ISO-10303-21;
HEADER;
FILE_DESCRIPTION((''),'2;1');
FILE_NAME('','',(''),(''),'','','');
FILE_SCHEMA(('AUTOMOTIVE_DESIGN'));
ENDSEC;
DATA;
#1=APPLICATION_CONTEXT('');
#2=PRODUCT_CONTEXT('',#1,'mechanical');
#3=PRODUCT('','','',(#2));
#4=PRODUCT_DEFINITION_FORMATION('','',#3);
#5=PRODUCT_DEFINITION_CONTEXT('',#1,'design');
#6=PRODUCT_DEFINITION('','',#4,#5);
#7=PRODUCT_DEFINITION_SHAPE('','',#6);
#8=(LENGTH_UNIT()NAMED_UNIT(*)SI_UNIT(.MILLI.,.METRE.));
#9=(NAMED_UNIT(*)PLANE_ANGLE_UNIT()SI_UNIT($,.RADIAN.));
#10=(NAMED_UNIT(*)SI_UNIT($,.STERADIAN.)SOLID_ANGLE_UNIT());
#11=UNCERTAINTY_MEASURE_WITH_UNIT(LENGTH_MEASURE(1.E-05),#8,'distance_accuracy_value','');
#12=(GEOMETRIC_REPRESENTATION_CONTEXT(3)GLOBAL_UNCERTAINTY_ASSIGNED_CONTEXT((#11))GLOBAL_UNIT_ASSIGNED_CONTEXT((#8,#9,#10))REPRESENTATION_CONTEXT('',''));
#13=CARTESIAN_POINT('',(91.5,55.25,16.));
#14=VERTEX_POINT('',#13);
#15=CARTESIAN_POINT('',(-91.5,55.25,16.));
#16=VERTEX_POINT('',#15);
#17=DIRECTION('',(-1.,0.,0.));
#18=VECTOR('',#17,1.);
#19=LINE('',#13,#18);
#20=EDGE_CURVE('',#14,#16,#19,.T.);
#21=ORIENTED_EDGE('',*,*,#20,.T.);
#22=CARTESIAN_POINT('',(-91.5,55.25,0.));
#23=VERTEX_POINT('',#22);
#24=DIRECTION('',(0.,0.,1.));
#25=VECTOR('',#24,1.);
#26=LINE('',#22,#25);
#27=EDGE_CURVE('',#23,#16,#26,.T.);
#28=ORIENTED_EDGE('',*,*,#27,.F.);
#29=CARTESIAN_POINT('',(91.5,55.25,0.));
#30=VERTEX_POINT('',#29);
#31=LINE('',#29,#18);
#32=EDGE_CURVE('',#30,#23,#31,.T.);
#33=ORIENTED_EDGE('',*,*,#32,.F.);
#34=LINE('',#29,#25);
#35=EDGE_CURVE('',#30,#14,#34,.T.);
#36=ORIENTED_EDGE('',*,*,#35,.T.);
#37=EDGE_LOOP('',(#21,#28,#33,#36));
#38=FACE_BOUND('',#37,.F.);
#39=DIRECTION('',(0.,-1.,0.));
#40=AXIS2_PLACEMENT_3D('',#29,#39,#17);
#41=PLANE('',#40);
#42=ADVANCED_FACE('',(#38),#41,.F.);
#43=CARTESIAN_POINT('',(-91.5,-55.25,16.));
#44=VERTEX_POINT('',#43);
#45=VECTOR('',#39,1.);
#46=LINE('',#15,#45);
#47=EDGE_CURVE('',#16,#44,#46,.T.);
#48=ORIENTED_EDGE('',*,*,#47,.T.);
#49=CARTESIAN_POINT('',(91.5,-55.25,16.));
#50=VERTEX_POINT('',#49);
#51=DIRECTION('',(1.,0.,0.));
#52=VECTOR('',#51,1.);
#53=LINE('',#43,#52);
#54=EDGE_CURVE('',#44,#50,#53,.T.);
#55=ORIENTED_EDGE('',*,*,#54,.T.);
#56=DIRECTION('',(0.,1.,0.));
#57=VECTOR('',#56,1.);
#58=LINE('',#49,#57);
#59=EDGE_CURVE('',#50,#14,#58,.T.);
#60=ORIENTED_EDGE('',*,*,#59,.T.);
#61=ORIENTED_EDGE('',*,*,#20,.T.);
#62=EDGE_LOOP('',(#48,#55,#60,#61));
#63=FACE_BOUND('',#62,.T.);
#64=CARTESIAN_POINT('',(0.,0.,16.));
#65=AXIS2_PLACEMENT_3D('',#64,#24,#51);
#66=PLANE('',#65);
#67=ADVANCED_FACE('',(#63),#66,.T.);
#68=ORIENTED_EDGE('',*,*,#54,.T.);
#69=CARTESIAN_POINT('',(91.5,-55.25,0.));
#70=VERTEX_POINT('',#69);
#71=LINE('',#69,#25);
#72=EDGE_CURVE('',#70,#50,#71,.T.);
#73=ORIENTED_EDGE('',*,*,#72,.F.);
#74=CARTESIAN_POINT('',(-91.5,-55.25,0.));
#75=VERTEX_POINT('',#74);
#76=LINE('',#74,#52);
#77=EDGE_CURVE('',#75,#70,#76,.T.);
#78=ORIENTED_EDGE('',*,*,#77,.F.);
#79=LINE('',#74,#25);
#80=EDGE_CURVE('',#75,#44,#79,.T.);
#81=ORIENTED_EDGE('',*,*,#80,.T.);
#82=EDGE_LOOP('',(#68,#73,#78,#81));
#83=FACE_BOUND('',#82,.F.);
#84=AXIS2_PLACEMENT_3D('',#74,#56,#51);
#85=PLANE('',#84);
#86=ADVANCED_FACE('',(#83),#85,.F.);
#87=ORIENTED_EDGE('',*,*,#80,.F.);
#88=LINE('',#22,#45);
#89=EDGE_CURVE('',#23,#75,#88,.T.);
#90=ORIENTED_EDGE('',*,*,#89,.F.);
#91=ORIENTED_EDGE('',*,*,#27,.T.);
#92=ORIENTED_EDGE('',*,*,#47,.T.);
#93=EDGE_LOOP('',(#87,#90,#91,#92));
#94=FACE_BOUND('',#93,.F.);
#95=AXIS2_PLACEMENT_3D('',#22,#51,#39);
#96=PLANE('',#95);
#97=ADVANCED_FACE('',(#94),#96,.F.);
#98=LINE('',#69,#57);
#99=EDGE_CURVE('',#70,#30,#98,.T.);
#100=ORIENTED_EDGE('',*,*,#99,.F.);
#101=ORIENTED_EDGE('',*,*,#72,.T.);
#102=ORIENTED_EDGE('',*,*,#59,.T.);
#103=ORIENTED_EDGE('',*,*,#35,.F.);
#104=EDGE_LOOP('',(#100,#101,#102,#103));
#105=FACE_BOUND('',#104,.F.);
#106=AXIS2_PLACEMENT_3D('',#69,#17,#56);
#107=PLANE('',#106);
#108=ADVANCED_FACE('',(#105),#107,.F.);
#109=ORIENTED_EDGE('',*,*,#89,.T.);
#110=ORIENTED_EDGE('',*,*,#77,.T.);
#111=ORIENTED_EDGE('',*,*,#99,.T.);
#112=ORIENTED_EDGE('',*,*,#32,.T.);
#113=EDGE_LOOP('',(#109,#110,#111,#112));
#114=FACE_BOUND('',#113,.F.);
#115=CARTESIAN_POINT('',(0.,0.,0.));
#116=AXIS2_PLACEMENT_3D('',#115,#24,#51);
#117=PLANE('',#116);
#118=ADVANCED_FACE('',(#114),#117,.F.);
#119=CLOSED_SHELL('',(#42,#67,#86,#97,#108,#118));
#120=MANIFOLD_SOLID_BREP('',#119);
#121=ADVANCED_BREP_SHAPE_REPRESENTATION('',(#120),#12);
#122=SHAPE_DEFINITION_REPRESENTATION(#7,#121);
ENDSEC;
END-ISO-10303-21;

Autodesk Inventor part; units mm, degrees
ref_plane "YZ Plane" through (0, 0, 0) normal (1, 0, 0) x (0, 1, 0)
ref_plane "XZ Plane" through (0, 0, 0) normal (0, 1, 0) x (-1, 0, 0)
ref_plane "XY Plane" through (0, 0, 0) normal (0, 0, 1) x (1, 0, 0)
sketch "Sketch1" plane through (0, 0, 0) normal (0, 0, 1) x (1, 0, 0)
  line L0 (-91.5, -55.25) -> (91.5, -55.25)
  line L1 (91.5, -55.25) -> (91.5, 55.25)
  line L2 (91.5, 55.25) -> (-91.5, 55.25)
  line L3 (-91.5, 55.25) -> (-91.5, -55.25)
  line L4 (-91.5, -55.25) -> (91.5, 55.25) construction
  line L5 (91.5, -55.25) -> (-91.5, 55.25) construction
  point P0 (0, 0)
  dimension "d0" = 183
  dimension "d1" = 110.5
extrude "Extrusion1" add sketch "Sketch1" along normal blind 16
properties part number "BMS_JBD-20-30s"
